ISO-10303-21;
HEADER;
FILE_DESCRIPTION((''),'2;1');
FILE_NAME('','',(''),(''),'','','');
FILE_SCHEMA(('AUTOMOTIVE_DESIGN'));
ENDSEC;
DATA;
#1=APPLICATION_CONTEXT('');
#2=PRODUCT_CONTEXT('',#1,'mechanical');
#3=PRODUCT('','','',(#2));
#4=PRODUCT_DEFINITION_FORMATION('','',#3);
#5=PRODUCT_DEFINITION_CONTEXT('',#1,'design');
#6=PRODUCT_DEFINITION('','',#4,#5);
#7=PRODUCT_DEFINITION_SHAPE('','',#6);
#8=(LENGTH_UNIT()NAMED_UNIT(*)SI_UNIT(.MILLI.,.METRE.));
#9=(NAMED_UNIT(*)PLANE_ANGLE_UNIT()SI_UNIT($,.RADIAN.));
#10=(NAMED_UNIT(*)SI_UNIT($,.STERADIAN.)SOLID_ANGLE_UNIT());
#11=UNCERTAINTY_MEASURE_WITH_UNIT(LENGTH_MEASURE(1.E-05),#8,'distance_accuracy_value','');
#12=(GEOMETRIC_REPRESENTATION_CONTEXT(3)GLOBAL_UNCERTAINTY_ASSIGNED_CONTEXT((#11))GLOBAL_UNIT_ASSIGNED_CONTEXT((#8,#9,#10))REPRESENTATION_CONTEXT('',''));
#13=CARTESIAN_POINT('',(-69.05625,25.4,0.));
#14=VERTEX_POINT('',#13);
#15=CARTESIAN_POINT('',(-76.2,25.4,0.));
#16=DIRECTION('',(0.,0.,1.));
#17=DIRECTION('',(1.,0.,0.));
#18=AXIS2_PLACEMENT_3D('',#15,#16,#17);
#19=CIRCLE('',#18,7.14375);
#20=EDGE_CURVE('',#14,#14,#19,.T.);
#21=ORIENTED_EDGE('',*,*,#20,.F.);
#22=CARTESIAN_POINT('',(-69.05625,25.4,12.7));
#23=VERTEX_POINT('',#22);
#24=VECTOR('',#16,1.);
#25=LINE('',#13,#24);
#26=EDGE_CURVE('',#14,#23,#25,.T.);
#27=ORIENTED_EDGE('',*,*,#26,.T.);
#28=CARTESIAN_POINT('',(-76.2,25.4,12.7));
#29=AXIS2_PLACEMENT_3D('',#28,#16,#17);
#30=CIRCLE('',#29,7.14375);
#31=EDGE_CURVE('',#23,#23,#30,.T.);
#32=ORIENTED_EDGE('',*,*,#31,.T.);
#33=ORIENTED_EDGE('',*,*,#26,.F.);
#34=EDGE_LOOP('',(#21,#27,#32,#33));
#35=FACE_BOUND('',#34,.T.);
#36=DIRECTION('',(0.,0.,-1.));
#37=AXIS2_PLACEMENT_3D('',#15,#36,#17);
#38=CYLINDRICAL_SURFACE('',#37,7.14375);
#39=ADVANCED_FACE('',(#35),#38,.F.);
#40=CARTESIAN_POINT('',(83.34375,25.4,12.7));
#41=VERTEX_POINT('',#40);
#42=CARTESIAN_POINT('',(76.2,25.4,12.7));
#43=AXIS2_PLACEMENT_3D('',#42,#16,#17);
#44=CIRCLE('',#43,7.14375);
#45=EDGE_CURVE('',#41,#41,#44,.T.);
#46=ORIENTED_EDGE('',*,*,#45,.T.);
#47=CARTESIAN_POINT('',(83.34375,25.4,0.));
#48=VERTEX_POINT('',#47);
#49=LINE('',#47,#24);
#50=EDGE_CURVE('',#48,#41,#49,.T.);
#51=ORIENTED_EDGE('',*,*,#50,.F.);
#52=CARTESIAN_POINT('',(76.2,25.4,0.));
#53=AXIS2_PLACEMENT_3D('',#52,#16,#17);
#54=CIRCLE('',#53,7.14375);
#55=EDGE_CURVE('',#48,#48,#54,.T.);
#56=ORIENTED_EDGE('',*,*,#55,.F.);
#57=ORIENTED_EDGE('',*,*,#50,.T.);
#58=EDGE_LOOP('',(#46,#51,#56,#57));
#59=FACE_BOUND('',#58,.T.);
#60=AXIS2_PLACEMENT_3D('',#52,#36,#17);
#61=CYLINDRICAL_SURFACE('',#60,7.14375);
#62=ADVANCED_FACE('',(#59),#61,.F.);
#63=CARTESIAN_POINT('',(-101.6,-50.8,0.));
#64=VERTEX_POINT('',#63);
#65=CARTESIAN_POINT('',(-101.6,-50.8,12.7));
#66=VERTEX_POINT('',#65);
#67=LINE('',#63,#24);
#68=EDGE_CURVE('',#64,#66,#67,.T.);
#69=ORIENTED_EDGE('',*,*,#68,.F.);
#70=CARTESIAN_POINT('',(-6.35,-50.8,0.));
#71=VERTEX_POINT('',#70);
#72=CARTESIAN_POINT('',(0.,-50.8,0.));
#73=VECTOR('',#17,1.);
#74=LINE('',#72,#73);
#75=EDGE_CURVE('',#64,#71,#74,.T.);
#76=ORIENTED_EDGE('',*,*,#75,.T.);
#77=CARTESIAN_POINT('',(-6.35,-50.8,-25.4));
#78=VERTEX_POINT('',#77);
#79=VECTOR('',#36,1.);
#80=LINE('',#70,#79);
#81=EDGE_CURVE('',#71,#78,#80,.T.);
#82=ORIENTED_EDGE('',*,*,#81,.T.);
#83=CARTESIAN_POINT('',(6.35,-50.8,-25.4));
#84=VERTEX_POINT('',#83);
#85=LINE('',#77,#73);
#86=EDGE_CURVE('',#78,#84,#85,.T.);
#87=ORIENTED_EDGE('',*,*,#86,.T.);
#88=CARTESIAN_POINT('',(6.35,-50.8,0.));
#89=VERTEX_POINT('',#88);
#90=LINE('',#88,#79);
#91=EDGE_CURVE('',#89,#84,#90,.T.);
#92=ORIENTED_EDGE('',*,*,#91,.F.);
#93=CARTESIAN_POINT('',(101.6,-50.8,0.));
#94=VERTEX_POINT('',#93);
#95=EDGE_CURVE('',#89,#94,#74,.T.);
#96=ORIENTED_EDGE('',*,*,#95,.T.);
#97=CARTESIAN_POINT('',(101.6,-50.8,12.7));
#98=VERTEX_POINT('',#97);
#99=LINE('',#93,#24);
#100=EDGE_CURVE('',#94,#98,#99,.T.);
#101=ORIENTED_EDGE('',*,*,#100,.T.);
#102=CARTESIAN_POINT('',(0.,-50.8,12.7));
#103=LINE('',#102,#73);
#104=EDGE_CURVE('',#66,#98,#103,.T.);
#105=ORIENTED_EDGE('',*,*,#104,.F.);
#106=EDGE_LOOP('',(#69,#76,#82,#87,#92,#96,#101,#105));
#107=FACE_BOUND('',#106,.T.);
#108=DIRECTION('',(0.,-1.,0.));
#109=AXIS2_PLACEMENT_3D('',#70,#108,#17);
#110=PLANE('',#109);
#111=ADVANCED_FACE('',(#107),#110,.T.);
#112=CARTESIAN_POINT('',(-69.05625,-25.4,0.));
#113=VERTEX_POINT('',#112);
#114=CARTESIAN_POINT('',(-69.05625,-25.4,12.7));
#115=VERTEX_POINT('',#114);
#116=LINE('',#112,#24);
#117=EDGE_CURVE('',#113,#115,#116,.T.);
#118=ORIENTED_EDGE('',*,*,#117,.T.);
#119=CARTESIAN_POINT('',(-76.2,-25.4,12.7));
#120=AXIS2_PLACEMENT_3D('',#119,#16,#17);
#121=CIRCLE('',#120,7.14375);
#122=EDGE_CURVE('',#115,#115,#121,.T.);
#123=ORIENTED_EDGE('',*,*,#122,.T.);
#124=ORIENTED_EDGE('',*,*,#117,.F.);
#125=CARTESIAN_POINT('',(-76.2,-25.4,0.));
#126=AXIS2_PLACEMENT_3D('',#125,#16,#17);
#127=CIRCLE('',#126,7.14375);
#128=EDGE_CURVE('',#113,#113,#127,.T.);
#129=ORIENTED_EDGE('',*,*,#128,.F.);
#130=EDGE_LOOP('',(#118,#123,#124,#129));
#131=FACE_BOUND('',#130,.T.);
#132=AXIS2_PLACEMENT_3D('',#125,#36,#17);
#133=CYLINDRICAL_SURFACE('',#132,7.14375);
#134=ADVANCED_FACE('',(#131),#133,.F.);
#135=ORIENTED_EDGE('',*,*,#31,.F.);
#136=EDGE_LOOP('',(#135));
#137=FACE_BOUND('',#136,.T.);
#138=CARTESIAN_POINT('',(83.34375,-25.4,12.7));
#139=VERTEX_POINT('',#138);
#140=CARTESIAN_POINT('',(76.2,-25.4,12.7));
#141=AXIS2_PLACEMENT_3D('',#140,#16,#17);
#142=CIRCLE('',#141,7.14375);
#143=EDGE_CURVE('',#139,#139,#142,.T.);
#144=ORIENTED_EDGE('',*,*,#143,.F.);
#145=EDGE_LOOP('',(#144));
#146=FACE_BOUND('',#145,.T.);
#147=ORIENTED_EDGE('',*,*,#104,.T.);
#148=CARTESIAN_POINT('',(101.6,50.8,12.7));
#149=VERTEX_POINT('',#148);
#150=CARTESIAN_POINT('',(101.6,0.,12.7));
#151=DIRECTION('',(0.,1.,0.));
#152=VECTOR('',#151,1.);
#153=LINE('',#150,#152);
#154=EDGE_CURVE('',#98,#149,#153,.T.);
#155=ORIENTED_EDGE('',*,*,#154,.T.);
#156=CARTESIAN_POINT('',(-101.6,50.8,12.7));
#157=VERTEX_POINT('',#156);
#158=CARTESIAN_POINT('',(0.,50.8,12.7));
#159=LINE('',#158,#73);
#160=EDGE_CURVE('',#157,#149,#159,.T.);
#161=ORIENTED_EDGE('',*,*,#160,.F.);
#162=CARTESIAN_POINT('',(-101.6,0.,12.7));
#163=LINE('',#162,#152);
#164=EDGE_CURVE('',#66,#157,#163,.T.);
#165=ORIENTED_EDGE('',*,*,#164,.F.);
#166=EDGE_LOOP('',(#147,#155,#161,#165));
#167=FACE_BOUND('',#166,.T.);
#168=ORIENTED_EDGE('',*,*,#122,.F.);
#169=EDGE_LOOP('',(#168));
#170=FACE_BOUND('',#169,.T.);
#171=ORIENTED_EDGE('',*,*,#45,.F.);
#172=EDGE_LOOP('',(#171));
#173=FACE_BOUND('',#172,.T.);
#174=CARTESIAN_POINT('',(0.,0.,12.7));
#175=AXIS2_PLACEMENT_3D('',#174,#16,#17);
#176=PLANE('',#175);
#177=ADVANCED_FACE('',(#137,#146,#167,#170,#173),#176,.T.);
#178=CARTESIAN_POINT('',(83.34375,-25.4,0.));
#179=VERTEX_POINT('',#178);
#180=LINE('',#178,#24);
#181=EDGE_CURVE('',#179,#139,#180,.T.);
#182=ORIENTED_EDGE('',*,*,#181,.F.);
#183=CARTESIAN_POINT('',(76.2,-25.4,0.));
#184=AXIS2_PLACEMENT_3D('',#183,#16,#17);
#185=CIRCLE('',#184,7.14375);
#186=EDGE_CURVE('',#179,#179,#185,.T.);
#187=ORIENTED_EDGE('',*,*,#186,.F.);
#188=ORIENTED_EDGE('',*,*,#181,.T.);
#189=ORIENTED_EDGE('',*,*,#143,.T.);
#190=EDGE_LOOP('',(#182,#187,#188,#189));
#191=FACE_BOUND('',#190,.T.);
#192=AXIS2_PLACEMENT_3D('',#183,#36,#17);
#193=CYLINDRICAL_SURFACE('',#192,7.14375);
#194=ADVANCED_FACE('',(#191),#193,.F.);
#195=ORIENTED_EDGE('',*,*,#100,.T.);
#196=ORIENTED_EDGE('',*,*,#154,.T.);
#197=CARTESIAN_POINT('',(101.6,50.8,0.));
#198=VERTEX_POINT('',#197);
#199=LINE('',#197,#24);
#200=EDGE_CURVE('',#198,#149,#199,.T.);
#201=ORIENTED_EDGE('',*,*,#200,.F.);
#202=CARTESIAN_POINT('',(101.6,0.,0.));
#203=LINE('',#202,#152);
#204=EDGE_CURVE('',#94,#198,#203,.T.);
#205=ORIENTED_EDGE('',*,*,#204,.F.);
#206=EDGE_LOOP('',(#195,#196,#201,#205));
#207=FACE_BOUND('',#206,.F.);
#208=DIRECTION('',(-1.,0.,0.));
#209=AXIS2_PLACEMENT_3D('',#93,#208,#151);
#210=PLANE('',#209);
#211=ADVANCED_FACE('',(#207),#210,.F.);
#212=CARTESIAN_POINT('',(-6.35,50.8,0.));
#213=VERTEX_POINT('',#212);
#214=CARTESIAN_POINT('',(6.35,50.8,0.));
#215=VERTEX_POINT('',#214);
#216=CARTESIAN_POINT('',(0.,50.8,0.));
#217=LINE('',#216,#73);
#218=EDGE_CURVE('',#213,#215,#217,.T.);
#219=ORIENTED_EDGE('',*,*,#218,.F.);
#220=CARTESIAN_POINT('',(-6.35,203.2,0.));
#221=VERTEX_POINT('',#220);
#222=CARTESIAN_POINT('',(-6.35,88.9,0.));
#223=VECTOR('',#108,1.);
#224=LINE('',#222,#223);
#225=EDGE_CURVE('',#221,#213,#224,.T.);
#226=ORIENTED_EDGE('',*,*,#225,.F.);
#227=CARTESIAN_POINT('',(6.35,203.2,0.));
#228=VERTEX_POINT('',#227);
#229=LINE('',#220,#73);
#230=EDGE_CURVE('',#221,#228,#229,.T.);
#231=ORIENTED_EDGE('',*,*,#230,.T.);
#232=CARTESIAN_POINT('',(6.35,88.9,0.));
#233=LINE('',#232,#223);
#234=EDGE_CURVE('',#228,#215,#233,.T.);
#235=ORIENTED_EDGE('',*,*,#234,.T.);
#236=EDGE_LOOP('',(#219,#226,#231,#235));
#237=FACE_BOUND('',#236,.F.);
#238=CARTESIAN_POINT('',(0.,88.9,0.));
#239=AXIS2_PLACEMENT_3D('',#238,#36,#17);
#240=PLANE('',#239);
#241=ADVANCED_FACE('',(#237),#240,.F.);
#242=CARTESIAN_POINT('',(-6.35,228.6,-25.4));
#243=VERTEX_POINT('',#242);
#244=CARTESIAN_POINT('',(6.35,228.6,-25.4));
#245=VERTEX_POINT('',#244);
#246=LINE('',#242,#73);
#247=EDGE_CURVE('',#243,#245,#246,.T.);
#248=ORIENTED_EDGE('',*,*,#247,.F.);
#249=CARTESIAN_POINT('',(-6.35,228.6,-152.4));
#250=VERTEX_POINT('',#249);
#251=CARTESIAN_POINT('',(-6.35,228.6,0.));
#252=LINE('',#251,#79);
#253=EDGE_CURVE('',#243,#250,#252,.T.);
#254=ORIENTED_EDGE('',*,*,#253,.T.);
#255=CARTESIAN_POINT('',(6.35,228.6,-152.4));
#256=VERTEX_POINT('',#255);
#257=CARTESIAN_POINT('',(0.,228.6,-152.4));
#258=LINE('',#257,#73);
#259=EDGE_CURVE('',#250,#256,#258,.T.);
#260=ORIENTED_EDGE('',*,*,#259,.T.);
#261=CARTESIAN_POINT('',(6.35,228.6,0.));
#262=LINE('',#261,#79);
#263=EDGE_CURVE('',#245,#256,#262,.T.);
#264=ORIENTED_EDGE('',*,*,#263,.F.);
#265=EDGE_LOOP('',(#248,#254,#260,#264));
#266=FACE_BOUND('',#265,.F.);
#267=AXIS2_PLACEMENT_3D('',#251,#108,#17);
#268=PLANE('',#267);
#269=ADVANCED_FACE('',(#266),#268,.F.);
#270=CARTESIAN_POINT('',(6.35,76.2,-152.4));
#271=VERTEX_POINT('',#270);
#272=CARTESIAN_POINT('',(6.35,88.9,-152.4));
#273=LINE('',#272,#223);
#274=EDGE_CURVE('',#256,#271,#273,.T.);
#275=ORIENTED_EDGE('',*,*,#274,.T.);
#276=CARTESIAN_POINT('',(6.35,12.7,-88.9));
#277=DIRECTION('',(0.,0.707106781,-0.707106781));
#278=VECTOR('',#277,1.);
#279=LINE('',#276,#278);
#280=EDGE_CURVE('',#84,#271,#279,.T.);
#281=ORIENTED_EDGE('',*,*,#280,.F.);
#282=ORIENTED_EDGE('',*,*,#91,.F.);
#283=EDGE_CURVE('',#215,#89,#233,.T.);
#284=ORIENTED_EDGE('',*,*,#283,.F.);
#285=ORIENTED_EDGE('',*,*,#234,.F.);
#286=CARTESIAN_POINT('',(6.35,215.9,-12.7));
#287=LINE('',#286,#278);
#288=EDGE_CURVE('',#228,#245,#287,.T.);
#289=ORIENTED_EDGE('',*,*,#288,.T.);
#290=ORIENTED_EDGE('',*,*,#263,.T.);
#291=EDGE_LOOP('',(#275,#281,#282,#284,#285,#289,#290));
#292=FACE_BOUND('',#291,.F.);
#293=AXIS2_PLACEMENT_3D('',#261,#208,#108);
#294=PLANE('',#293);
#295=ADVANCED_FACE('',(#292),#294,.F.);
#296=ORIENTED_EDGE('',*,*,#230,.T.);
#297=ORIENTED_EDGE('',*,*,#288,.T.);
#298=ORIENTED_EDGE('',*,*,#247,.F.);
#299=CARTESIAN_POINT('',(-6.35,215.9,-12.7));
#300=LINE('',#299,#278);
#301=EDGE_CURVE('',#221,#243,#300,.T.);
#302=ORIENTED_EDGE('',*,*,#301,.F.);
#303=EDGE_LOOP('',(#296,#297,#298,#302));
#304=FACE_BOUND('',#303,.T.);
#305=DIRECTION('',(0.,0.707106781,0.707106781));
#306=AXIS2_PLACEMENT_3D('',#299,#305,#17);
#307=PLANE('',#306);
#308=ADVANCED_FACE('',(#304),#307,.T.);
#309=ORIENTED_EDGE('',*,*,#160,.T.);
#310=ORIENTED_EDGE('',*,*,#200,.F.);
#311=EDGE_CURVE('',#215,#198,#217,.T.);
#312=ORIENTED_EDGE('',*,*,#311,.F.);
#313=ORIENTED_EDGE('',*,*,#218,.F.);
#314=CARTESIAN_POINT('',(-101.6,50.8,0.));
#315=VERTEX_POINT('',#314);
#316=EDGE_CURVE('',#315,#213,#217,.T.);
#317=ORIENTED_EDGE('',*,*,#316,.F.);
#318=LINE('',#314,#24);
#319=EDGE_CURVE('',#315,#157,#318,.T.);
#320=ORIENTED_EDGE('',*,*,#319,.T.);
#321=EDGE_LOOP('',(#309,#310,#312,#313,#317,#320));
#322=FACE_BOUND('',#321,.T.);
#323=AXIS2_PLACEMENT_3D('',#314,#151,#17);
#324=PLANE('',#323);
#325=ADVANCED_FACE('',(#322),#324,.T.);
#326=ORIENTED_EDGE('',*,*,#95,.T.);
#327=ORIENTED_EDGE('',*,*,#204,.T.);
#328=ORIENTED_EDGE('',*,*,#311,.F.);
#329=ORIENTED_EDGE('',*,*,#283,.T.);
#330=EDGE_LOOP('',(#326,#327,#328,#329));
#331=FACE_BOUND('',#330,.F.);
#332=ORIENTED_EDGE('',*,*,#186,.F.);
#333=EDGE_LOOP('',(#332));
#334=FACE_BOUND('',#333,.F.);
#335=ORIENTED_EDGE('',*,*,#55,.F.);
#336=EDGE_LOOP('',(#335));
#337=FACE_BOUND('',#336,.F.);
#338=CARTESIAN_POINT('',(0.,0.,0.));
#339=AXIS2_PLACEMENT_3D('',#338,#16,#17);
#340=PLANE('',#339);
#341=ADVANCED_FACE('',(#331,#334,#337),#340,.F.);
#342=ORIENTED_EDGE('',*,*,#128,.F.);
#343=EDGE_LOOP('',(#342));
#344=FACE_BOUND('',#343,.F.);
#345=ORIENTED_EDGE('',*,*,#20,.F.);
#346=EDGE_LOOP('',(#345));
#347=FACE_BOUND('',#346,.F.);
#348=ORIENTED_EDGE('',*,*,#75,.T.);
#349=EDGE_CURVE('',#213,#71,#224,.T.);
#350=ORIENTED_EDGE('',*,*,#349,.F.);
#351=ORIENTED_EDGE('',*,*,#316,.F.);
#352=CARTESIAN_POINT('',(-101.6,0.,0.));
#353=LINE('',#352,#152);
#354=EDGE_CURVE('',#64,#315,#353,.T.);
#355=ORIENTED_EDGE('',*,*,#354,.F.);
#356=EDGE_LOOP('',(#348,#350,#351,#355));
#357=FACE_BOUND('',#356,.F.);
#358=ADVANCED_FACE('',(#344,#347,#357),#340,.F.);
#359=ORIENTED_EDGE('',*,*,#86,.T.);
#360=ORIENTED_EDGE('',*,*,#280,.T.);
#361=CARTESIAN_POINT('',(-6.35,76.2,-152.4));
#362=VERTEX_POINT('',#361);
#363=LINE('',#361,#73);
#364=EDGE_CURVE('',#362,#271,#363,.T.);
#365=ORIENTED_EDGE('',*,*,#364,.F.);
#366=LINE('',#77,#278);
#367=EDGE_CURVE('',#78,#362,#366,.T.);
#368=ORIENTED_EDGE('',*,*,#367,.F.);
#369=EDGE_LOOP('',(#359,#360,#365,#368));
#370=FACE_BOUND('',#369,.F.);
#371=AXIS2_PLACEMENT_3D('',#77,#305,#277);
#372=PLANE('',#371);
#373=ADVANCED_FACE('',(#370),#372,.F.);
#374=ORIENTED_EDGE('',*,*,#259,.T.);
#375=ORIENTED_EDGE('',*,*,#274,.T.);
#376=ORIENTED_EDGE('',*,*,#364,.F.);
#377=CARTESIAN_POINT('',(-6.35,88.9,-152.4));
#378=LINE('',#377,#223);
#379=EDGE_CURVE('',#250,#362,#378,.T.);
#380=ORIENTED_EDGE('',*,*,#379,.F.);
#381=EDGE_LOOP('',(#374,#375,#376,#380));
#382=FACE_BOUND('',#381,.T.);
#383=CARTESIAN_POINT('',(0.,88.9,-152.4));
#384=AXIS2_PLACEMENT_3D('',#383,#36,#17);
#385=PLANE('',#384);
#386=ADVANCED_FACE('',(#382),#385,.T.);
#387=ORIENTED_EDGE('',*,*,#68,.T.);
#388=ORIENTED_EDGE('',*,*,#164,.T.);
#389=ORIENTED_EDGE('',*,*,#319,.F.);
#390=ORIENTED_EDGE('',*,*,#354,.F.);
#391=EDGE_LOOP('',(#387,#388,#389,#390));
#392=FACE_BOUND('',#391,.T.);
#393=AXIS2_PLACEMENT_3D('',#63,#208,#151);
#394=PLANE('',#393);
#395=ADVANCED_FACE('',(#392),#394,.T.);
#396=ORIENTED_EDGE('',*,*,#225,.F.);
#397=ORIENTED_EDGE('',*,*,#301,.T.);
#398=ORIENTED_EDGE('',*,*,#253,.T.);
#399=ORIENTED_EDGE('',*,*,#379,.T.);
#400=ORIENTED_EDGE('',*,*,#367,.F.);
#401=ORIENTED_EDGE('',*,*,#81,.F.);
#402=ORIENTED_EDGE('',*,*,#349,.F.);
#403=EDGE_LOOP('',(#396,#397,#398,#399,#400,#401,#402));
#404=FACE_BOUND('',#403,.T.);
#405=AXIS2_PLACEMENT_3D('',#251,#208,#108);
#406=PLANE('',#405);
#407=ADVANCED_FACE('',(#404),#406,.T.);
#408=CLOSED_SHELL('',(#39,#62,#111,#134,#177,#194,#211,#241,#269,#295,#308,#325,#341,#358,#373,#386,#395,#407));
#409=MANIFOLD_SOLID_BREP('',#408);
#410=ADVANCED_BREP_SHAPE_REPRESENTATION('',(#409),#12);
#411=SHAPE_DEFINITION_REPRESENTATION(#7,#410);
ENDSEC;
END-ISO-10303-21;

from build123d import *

# Parameters (mm, degrees)
F0_W     = 203.2
F0_H     = 101.6
F0_R     = 7.14375
F1_DEPTH = 12.7
F2_W     = 12.7
F2_H     = 279.4
F3_DEPTH = 152.4
F5_DEPTH = 107.951
F6_SIZE  = 25.4


with BuildPart() as f1:
    # F0 (on Top) → F1 (new body)
    with BuildSketch(Plane.XY):
        Rectangle(F0_W, F0_H)
        with Locations((-76.2, -25.4)):
            Circle(F0_R, mode=Mode.SUBTRACT)
        with Locations((76.2, -25.4)):
            Circle(F0_R, mode=Mode.SUBTRACT)
        with Locations((-76.2, 25.4)):
            Circle(F0_R, mode=Mode.SUBTRACT)
        with Locations((76.2, 25.4)):
            Circle(F0_R, mode=Mode.SUBTRACT)
    extrude(amount=F1_DEPTH)

    # F2 (on face) → F3 (join)
    with BuildSketch(Plane(origin=(0, 0, 0), x_dir=(1, 0, 0), z_dir=(0, 0, -1))):
        with Locations((0, -88.9)):
            Rectangle(F2_W, F2_H)
    extrude(amount=F3_DEPTH)

    # F4 (on face) → F5 (cut, through all)
    with BuildSketch(Plane(origin=(-6.35, 0, 0), x_dir=(0, -1, 0), z_dir=(-1, 0, 0))):
        Polygon((50.8, -25.4), (-76.2, -152.4), (50.8, -152.4), align=None)
    extrude(amount=-F5_DEPTH, mode=Mode.SUBTRACT)

    # F6
    f6_edges = [f1.edges().sort_by_distance(p)[0] for p in [
        (0, 228.6, 0),
    ]]
    chamfer(f6_edges, length=F6_SIZE)


solid = f1.part
